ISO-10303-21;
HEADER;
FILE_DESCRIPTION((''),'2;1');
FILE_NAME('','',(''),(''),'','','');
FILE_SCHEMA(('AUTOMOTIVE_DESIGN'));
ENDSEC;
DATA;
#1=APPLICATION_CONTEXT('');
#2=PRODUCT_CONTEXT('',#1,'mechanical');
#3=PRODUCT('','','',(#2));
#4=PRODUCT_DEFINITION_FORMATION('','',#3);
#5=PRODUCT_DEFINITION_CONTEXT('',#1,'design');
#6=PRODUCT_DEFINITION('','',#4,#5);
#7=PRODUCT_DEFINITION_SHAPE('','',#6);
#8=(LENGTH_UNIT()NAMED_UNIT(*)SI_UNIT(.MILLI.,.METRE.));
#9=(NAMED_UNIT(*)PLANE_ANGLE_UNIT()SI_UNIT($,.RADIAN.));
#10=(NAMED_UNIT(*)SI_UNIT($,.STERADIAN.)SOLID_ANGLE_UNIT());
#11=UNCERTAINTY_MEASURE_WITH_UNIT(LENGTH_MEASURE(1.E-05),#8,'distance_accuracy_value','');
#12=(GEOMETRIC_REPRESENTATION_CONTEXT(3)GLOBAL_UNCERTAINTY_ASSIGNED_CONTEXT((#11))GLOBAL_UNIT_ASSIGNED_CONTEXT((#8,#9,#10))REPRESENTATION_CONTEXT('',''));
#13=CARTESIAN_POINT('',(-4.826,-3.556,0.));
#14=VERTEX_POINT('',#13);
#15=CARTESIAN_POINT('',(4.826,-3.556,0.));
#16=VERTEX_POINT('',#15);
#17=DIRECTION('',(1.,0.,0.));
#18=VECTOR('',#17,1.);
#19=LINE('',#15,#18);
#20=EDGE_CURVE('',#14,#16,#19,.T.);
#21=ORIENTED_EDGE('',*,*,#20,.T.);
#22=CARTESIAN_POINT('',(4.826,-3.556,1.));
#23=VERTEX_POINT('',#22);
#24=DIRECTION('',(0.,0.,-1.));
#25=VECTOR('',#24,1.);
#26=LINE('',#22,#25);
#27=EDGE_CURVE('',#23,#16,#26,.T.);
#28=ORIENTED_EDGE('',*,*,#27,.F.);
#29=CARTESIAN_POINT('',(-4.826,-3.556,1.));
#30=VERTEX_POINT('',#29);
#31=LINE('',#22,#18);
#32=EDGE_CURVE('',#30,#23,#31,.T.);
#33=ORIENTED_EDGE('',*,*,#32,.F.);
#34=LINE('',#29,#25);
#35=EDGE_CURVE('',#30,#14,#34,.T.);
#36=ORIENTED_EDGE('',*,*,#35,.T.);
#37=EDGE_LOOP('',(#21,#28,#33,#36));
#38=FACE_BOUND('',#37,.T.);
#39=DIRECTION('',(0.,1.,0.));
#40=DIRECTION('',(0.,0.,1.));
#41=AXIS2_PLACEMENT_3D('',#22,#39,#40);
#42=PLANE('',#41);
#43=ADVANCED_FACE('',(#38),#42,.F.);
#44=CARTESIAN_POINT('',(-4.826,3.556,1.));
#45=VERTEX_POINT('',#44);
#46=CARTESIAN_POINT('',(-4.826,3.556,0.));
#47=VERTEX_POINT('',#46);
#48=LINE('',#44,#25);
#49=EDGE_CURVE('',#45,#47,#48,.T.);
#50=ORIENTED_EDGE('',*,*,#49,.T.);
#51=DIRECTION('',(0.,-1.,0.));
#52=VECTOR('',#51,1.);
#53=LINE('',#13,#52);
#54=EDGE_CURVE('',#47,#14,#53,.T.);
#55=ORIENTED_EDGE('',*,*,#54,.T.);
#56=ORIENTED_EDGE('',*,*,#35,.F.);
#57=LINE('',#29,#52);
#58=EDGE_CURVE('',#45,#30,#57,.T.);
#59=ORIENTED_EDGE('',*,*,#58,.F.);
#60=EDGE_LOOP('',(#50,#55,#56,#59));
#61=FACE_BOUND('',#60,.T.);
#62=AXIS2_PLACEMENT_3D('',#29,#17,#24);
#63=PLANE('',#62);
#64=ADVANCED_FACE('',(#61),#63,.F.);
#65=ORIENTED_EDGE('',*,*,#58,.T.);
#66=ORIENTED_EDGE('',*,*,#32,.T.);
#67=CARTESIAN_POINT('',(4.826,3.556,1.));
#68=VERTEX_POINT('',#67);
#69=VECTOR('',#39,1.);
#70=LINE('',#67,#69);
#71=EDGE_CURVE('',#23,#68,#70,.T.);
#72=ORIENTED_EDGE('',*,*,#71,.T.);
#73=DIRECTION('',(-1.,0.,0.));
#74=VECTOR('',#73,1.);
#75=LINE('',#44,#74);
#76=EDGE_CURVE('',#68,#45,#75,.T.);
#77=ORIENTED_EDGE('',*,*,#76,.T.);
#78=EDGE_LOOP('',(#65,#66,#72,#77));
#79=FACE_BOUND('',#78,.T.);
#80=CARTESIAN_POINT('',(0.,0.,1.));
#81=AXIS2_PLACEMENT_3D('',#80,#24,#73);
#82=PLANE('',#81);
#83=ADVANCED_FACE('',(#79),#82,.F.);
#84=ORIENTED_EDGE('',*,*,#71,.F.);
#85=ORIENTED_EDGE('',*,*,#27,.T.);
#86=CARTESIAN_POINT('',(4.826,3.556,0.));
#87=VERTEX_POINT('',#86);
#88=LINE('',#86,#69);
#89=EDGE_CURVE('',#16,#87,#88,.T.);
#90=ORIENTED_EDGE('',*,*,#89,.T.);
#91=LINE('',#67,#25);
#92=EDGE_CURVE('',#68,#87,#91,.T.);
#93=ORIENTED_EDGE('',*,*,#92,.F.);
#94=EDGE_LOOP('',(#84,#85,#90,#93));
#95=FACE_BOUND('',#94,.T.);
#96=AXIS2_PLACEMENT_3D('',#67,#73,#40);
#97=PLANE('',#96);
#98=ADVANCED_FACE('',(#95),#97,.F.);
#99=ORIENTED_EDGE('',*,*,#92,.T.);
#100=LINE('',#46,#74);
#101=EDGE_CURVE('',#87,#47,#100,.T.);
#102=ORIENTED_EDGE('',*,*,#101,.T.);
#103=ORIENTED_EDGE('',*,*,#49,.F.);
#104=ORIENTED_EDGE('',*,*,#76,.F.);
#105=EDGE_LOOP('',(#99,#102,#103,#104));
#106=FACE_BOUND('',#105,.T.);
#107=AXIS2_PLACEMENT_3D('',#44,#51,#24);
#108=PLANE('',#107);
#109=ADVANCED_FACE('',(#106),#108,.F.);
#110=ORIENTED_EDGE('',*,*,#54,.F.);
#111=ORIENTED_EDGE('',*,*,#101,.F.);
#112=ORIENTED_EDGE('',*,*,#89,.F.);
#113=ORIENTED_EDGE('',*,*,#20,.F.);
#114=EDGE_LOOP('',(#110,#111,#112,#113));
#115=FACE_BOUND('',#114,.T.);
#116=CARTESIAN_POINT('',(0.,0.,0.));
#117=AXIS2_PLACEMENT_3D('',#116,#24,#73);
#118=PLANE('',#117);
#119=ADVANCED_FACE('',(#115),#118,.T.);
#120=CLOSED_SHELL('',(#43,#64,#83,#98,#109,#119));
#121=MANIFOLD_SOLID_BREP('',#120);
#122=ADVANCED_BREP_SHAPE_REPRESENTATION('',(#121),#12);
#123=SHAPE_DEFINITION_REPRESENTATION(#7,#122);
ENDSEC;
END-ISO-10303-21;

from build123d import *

# Parameters (mm, degrees)
SKETCH1_W               = 9.652
SKETCH1_H               = 7.112
COMPONENT_OUTLINE_DEPTH = 1


with BuildPart() as part:
    # Sketch1 → Component_Outline (new body)
    with BuildSketch(Plane.XY):
        Rectangle(SKETCH1_W, SKETCH1_H)
    extrude(amount=COMPONENT_OUTLINE_DEPTH)


solid = part.part
